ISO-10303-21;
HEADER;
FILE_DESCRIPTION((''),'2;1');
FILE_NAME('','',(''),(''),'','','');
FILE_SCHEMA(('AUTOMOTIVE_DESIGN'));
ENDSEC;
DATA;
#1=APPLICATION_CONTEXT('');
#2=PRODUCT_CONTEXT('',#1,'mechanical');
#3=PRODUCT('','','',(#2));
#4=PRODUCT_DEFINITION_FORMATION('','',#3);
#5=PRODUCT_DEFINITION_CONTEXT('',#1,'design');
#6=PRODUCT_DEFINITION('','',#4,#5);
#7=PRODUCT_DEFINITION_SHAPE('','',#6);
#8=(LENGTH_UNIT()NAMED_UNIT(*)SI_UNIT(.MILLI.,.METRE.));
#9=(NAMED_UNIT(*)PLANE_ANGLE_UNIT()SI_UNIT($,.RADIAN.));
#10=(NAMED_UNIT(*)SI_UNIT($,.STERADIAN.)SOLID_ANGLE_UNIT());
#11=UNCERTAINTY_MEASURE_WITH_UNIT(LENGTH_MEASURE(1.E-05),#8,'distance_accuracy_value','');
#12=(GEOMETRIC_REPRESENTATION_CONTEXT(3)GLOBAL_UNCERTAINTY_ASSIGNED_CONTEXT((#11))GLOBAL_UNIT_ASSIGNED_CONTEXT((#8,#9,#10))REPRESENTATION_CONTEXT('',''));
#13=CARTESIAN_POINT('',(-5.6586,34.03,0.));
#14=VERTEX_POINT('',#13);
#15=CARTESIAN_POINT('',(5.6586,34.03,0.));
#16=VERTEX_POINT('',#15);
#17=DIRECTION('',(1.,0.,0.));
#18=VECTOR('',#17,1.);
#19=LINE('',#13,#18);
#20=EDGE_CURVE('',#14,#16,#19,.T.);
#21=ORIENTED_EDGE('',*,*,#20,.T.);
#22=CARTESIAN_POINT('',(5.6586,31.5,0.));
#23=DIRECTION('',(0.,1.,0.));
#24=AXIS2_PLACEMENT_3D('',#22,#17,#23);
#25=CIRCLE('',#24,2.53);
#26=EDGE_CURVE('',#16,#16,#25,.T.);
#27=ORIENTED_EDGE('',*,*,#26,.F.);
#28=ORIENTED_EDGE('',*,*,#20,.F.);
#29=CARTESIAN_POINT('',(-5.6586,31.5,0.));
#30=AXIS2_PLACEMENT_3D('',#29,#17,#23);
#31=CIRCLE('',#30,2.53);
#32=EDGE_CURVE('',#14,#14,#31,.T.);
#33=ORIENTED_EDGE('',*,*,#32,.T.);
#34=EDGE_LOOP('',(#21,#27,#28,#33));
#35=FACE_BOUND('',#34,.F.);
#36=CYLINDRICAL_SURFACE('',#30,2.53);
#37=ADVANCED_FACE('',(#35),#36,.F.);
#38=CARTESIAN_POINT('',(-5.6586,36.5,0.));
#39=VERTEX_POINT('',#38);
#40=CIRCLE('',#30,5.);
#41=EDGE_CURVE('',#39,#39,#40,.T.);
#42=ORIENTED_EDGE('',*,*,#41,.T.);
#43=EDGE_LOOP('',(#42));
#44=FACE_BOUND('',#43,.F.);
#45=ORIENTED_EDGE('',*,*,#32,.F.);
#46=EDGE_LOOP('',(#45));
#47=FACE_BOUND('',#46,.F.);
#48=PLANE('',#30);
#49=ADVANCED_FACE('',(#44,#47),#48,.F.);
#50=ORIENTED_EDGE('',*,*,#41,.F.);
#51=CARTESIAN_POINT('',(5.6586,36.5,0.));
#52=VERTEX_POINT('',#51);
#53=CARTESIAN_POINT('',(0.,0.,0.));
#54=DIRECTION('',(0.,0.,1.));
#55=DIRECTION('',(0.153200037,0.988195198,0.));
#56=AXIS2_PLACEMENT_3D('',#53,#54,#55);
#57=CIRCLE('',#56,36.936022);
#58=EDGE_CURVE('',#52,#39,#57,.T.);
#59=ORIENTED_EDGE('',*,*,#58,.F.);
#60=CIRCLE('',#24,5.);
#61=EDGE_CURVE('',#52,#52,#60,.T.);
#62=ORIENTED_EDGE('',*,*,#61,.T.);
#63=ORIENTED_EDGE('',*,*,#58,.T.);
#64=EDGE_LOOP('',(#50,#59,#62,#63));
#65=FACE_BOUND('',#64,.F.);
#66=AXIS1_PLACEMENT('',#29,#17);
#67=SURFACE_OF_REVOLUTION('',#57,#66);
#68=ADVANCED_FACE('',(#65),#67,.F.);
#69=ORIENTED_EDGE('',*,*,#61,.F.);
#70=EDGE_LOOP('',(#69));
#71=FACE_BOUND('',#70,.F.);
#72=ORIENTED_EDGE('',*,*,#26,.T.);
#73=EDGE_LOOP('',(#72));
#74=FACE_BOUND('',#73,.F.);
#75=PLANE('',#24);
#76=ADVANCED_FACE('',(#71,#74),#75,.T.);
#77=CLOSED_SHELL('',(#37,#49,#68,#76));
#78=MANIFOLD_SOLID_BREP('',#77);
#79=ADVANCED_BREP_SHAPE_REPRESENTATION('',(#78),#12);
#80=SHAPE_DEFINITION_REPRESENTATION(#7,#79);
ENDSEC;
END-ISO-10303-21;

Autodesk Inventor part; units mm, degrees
ref_plane "YZ Plane" through (0, 0, 0) normal (1, 0, 0) x (0, 1, 0)
ref_plane "XZ Plane" through (0, 0, 0) normal (0, 1, 0) x (-1, 0, 0)
ref_plane "XY Plane" through (0, 0, 0) normal (0, 0, 1) x (1, 0, 0)
sketch "スケッチ1" plane through (0, 0, 0) normal (0, 0, 1) x (1, 0, 0)
  line L0 (-6.2586, 26.5) -> (6.2586, 26.5)
  line L1 (6.2586, 26.5) -> (6.2586, 36.5)
  line L2 (6.2586, 36.5) -> (-6.2586, 36.5)
  line L3 (-6.2586, 36.5) -> (-6.2586, 26.5)
  line L4 (-6.2586, 26.5) -> (6.2586, 36.5) construction
  line L5 (6.2586, 26.5) -> (-6.2586, 36.5) construction
  line L6 (-6.2586, 36.5) -> (0, 0) construction
  line L7 (0, 0) -> (0, 36.5) construction
  circle A0 centre (0, 0) radius 35 construction
  line L8 (-5.6586, 36.5) -> (-5.6586, 26.5)
  arc A1 (5.6586, 36.5) -> (-5.6586, 36.5) centre (0, 0) ccw
  line L9 (5.6586, 26.5) -> (5.6586, 36.5)
  line L10 (-5.6586, 31.5) -> (5.6586, 31.5)
  line L11 (-5.6586, 34.03) -> (5.6586, 34.03)
  point P0 (0, 31.5)
  dimension "d0" = 31.5
  dimension "d1" = 9.73
  dimension "d2" = 70
  dimension "d3" = 1.5
  dimension "d4" = 0.6
  dimension "d6" = 0.6
  dimension "d7" = 2.53
revolve "回転1" add sketch "スケッチ1" angle 360 about axis through (-5.6586, 31.5, 0) along (1, 0, 0) contours A1 L2 | L2 L9 L11 L8
equation "\"d0\" = 0.9 * r"
equation "\"d2\" = 2 * r"
equation "\"d6\" = d4"
equation "\"r\" = 35"
properties part number "3D_taru-core_3D プリント"
